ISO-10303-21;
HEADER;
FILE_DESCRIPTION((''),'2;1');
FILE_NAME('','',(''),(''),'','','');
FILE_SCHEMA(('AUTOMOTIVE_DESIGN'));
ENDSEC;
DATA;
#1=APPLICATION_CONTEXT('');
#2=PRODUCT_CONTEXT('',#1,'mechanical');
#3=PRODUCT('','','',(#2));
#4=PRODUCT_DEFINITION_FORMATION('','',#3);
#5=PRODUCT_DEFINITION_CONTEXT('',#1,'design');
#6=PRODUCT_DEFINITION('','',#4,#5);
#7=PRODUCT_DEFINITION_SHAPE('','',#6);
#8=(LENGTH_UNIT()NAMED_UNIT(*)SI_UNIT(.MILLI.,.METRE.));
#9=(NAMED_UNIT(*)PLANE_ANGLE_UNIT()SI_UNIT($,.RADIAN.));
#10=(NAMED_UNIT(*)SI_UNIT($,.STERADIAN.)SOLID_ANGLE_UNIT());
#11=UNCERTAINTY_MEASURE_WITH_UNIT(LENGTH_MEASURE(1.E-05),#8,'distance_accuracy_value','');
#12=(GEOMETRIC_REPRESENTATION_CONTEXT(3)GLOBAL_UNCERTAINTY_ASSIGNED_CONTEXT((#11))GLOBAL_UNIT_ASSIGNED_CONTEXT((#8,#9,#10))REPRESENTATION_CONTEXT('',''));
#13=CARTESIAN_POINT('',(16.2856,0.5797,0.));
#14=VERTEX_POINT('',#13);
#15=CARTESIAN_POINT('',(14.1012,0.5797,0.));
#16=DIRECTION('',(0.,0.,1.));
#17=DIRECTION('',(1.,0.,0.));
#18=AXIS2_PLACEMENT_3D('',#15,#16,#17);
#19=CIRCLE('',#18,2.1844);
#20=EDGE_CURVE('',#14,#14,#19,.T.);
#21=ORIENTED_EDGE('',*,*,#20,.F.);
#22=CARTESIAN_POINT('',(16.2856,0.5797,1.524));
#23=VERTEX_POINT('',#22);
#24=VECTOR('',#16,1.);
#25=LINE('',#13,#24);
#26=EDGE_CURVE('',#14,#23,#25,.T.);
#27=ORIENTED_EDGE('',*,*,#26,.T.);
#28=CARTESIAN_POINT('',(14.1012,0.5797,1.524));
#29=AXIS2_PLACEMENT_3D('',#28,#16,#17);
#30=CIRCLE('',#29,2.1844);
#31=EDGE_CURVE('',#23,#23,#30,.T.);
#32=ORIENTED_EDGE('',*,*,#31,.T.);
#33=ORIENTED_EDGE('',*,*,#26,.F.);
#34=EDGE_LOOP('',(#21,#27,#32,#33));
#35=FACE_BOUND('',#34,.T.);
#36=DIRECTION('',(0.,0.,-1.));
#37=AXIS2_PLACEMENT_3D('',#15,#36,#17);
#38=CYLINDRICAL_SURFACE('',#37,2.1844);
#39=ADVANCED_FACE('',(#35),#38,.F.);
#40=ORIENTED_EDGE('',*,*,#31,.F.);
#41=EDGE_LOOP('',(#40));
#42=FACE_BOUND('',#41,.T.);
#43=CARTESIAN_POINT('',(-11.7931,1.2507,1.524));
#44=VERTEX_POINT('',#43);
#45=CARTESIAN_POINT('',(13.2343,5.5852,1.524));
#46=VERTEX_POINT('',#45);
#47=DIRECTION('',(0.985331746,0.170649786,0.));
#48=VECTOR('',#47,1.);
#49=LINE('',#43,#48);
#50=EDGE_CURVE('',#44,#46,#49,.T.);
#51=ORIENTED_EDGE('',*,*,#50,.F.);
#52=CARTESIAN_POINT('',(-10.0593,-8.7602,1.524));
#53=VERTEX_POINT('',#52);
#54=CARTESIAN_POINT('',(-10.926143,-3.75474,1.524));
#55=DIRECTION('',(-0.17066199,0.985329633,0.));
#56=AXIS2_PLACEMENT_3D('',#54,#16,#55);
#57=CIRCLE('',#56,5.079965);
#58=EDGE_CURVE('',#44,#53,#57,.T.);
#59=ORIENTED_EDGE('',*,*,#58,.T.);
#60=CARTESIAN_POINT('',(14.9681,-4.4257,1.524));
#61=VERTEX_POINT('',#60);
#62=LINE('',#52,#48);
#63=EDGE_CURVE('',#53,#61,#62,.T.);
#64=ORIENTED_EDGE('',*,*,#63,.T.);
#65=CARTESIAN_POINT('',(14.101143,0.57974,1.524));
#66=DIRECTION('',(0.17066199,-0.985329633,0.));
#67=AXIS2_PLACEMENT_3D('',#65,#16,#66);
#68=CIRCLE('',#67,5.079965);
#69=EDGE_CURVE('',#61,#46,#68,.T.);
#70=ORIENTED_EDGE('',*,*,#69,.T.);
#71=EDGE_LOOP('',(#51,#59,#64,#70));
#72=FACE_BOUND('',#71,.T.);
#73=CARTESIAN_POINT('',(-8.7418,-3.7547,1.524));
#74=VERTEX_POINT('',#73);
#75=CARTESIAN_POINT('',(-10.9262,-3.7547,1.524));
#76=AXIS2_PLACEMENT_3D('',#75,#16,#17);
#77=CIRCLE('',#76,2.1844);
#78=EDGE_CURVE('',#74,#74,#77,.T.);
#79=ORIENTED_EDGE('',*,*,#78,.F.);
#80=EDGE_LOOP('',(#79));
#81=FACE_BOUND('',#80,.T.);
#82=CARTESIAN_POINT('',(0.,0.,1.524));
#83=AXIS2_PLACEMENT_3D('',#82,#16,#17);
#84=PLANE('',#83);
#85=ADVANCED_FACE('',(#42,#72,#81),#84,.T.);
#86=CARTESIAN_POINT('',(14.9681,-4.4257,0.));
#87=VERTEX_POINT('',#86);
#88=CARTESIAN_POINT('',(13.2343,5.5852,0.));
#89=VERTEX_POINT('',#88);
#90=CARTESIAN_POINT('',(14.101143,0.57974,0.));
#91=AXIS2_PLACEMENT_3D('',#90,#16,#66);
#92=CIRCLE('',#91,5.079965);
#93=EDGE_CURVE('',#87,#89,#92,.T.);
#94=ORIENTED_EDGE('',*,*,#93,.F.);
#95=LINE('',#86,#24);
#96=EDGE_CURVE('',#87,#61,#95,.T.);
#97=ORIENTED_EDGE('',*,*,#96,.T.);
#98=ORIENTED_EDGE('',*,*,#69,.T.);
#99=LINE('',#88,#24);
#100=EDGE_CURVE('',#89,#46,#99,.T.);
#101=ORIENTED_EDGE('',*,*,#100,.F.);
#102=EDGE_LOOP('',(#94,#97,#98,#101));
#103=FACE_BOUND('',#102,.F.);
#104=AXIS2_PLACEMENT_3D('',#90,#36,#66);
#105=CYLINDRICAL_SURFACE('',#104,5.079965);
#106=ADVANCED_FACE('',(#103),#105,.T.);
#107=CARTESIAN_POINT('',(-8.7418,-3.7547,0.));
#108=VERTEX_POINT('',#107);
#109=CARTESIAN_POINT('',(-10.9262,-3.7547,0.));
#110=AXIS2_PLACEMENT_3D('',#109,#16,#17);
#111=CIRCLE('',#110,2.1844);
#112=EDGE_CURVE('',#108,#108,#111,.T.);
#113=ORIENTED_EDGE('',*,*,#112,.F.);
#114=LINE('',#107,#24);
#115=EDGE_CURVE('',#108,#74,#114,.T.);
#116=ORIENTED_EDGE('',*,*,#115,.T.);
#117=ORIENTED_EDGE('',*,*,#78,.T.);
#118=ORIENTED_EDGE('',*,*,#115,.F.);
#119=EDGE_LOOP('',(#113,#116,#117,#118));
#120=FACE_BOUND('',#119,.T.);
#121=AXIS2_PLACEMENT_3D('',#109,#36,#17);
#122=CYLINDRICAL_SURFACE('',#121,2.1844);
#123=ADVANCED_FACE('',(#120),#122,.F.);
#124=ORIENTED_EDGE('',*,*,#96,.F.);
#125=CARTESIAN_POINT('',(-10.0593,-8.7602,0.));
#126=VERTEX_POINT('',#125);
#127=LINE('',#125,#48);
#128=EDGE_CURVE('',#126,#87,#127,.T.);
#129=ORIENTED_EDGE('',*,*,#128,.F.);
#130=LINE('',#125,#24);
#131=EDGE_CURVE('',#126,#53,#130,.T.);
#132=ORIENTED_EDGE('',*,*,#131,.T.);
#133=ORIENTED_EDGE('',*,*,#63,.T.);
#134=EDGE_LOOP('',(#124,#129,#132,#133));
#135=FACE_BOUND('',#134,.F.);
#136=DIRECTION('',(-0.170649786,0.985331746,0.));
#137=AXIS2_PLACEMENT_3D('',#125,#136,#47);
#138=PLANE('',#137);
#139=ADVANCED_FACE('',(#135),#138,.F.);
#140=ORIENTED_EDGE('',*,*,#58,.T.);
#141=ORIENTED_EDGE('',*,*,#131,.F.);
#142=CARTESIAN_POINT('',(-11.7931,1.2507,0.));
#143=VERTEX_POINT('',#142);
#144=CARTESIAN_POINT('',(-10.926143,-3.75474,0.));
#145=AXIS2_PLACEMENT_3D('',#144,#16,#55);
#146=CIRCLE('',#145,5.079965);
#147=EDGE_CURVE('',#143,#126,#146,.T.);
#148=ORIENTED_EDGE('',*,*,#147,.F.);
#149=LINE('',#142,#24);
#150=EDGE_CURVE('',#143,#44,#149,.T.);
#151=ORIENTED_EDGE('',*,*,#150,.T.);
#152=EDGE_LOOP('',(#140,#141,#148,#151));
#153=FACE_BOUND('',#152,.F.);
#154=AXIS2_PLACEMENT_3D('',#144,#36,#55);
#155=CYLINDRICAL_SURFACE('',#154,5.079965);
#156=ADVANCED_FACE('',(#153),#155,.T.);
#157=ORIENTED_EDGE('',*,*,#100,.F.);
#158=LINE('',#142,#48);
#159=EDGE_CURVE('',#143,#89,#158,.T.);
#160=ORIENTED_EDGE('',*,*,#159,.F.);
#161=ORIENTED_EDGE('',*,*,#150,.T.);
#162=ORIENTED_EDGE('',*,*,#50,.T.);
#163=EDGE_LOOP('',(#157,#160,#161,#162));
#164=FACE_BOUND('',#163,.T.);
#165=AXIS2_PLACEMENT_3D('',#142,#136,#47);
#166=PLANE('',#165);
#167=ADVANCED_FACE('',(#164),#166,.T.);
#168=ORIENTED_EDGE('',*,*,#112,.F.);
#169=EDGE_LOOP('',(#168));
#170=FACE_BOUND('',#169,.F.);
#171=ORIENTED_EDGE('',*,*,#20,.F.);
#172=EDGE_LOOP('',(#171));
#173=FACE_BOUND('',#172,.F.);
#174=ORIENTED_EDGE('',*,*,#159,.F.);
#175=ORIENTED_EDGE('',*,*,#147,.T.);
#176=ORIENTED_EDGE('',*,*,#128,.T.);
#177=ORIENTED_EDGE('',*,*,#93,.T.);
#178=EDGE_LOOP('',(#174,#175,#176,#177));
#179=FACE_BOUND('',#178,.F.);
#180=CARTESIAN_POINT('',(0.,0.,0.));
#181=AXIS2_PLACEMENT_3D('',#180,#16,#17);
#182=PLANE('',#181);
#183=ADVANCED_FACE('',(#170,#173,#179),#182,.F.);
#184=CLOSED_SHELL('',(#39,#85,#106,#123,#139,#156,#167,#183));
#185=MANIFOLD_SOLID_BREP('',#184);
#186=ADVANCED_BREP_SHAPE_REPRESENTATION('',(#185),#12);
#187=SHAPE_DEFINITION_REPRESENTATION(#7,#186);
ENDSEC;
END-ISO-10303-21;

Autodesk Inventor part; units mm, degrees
ref_plane "YZ Plane" through (0, 0, 0) normal (1, 0, 0) x (0, 1, 0)
ref_plane "XZ Plane" through (0, 0, 0) normal (0, 1, 0) x (-1, 0, 0)
ref_plane "XY Plane" through (0, 0, 0) normal (0, 0, 1) x (1, 0, 0)
sketch "Sketch1" plane through (0, 0, 0) normal (0, 0, 1) x (1, 0, 0)
  circle A0 centre (-10.9262, -3.7547) radius 2.1844
  circle A1 centre (14.1012, 0.5797) radius 2.1844
  line L0 (-11.7931, 1.2507) -> (13.2343, 5.5852)
  line L1 (-10.0593, -8.7602) -> (14.9681, -4.4257)
  arc A2 (-11.7931, 1.2507) -> (-10.0593, -8.7602) centre (-10.9262, -3.7547) ccw
  arc A3 (14.9681, -4.4257) -> (13.2343, 5.5852) centre (14.1012, 0.5797) ccw
  point P0 (0, 0)
  dimension "d7" = 25.4
extrude "Extrusion1" add sketch "Sketch1" along normal blind 1.524
properties part number "shaft-retainer"
